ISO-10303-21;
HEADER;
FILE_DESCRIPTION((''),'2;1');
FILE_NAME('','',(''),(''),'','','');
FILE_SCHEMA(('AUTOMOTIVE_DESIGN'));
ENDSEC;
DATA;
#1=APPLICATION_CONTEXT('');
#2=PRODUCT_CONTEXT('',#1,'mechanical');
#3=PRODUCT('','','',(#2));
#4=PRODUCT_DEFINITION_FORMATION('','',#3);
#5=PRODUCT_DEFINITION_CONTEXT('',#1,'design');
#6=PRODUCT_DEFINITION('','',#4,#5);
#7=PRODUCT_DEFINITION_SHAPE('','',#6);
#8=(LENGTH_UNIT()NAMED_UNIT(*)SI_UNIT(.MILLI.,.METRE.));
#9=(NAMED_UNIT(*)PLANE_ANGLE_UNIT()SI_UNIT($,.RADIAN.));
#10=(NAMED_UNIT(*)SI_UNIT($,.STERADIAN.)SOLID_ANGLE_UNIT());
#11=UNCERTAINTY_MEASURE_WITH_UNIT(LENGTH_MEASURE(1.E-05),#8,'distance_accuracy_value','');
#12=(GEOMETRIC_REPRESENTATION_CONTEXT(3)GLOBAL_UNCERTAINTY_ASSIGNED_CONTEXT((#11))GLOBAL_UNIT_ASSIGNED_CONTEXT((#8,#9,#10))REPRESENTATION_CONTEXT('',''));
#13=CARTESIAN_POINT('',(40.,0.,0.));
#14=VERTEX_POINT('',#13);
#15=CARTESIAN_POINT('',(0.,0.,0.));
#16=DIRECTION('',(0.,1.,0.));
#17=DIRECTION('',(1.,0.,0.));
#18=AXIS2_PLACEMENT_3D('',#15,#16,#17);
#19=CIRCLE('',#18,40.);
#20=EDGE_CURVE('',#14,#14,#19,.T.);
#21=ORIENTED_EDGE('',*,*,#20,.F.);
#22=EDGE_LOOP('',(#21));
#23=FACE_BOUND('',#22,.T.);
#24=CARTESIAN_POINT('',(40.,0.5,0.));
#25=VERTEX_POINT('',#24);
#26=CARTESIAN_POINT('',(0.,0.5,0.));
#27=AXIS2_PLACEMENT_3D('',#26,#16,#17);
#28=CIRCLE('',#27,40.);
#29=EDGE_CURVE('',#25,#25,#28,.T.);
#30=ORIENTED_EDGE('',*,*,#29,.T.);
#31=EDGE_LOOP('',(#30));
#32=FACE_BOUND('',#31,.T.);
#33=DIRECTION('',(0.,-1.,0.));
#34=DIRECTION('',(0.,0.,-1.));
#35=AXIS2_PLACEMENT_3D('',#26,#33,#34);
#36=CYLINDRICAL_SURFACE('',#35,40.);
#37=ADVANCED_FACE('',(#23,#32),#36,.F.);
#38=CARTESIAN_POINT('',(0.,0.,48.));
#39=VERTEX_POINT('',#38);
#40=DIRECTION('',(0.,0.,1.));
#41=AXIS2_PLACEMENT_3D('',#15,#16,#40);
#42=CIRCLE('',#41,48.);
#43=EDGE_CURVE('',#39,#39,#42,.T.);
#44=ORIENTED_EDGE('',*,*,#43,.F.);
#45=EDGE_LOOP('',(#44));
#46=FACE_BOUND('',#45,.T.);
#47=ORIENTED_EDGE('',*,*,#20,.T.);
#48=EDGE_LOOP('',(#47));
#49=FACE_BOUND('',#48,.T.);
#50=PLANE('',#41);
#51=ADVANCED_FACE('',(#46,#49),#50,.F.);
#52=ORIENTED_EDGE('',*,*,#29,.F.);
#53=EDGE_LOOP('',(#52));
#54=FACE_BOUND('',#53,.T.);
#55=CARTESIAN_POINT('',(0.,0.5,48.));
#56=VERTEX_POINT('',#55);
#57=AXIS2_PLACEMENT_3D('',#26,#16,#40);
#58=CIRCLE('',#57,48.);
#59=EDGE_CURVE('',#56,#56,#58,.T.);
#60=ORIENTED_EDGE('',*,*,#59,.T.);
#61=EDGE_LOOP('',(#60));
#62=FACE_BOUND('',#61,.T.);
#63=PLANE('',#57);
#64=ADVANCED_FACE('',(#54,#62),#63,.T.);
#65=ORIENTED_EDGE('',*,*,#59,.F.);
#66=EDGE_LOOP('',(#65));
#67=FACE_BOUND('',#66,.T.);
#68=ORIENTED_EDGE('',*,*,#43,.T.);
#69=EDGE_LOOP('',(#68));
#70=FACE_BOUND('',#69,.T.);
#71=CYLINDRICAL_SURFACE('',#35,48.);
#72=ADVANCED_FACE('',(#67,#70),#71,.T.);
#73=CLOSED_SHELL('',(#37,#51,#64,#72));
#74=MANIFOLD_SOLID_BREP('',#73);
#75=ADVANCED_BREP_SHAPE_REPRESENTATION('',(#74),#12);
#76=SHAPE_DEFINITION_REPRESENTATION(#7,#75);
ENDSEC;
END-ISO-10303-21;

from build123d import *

# Parameters (mm, degrees)
CROQUIS1_R            = 48
CROQUIS1_R_2          = 40
EXTRUIR_L_MINA1_DEPTH = 0.5


with BuildPart() as part:
    # Croquis1 → Extruir-Lámina1 (new body)
    with BuildSketch(Plane(origin=(0, 0, 0), x_dir=(1, 0, 0), z_dir=(0, 1, 0))):
        Circle(CROQUIS1_R)
        Circle(CROQUIS1_R_2, mode=Mode.SUBTRACT)
    extrude(amount=EXTRUIR_L_MINA1_DEPTH)


solid = part.part
